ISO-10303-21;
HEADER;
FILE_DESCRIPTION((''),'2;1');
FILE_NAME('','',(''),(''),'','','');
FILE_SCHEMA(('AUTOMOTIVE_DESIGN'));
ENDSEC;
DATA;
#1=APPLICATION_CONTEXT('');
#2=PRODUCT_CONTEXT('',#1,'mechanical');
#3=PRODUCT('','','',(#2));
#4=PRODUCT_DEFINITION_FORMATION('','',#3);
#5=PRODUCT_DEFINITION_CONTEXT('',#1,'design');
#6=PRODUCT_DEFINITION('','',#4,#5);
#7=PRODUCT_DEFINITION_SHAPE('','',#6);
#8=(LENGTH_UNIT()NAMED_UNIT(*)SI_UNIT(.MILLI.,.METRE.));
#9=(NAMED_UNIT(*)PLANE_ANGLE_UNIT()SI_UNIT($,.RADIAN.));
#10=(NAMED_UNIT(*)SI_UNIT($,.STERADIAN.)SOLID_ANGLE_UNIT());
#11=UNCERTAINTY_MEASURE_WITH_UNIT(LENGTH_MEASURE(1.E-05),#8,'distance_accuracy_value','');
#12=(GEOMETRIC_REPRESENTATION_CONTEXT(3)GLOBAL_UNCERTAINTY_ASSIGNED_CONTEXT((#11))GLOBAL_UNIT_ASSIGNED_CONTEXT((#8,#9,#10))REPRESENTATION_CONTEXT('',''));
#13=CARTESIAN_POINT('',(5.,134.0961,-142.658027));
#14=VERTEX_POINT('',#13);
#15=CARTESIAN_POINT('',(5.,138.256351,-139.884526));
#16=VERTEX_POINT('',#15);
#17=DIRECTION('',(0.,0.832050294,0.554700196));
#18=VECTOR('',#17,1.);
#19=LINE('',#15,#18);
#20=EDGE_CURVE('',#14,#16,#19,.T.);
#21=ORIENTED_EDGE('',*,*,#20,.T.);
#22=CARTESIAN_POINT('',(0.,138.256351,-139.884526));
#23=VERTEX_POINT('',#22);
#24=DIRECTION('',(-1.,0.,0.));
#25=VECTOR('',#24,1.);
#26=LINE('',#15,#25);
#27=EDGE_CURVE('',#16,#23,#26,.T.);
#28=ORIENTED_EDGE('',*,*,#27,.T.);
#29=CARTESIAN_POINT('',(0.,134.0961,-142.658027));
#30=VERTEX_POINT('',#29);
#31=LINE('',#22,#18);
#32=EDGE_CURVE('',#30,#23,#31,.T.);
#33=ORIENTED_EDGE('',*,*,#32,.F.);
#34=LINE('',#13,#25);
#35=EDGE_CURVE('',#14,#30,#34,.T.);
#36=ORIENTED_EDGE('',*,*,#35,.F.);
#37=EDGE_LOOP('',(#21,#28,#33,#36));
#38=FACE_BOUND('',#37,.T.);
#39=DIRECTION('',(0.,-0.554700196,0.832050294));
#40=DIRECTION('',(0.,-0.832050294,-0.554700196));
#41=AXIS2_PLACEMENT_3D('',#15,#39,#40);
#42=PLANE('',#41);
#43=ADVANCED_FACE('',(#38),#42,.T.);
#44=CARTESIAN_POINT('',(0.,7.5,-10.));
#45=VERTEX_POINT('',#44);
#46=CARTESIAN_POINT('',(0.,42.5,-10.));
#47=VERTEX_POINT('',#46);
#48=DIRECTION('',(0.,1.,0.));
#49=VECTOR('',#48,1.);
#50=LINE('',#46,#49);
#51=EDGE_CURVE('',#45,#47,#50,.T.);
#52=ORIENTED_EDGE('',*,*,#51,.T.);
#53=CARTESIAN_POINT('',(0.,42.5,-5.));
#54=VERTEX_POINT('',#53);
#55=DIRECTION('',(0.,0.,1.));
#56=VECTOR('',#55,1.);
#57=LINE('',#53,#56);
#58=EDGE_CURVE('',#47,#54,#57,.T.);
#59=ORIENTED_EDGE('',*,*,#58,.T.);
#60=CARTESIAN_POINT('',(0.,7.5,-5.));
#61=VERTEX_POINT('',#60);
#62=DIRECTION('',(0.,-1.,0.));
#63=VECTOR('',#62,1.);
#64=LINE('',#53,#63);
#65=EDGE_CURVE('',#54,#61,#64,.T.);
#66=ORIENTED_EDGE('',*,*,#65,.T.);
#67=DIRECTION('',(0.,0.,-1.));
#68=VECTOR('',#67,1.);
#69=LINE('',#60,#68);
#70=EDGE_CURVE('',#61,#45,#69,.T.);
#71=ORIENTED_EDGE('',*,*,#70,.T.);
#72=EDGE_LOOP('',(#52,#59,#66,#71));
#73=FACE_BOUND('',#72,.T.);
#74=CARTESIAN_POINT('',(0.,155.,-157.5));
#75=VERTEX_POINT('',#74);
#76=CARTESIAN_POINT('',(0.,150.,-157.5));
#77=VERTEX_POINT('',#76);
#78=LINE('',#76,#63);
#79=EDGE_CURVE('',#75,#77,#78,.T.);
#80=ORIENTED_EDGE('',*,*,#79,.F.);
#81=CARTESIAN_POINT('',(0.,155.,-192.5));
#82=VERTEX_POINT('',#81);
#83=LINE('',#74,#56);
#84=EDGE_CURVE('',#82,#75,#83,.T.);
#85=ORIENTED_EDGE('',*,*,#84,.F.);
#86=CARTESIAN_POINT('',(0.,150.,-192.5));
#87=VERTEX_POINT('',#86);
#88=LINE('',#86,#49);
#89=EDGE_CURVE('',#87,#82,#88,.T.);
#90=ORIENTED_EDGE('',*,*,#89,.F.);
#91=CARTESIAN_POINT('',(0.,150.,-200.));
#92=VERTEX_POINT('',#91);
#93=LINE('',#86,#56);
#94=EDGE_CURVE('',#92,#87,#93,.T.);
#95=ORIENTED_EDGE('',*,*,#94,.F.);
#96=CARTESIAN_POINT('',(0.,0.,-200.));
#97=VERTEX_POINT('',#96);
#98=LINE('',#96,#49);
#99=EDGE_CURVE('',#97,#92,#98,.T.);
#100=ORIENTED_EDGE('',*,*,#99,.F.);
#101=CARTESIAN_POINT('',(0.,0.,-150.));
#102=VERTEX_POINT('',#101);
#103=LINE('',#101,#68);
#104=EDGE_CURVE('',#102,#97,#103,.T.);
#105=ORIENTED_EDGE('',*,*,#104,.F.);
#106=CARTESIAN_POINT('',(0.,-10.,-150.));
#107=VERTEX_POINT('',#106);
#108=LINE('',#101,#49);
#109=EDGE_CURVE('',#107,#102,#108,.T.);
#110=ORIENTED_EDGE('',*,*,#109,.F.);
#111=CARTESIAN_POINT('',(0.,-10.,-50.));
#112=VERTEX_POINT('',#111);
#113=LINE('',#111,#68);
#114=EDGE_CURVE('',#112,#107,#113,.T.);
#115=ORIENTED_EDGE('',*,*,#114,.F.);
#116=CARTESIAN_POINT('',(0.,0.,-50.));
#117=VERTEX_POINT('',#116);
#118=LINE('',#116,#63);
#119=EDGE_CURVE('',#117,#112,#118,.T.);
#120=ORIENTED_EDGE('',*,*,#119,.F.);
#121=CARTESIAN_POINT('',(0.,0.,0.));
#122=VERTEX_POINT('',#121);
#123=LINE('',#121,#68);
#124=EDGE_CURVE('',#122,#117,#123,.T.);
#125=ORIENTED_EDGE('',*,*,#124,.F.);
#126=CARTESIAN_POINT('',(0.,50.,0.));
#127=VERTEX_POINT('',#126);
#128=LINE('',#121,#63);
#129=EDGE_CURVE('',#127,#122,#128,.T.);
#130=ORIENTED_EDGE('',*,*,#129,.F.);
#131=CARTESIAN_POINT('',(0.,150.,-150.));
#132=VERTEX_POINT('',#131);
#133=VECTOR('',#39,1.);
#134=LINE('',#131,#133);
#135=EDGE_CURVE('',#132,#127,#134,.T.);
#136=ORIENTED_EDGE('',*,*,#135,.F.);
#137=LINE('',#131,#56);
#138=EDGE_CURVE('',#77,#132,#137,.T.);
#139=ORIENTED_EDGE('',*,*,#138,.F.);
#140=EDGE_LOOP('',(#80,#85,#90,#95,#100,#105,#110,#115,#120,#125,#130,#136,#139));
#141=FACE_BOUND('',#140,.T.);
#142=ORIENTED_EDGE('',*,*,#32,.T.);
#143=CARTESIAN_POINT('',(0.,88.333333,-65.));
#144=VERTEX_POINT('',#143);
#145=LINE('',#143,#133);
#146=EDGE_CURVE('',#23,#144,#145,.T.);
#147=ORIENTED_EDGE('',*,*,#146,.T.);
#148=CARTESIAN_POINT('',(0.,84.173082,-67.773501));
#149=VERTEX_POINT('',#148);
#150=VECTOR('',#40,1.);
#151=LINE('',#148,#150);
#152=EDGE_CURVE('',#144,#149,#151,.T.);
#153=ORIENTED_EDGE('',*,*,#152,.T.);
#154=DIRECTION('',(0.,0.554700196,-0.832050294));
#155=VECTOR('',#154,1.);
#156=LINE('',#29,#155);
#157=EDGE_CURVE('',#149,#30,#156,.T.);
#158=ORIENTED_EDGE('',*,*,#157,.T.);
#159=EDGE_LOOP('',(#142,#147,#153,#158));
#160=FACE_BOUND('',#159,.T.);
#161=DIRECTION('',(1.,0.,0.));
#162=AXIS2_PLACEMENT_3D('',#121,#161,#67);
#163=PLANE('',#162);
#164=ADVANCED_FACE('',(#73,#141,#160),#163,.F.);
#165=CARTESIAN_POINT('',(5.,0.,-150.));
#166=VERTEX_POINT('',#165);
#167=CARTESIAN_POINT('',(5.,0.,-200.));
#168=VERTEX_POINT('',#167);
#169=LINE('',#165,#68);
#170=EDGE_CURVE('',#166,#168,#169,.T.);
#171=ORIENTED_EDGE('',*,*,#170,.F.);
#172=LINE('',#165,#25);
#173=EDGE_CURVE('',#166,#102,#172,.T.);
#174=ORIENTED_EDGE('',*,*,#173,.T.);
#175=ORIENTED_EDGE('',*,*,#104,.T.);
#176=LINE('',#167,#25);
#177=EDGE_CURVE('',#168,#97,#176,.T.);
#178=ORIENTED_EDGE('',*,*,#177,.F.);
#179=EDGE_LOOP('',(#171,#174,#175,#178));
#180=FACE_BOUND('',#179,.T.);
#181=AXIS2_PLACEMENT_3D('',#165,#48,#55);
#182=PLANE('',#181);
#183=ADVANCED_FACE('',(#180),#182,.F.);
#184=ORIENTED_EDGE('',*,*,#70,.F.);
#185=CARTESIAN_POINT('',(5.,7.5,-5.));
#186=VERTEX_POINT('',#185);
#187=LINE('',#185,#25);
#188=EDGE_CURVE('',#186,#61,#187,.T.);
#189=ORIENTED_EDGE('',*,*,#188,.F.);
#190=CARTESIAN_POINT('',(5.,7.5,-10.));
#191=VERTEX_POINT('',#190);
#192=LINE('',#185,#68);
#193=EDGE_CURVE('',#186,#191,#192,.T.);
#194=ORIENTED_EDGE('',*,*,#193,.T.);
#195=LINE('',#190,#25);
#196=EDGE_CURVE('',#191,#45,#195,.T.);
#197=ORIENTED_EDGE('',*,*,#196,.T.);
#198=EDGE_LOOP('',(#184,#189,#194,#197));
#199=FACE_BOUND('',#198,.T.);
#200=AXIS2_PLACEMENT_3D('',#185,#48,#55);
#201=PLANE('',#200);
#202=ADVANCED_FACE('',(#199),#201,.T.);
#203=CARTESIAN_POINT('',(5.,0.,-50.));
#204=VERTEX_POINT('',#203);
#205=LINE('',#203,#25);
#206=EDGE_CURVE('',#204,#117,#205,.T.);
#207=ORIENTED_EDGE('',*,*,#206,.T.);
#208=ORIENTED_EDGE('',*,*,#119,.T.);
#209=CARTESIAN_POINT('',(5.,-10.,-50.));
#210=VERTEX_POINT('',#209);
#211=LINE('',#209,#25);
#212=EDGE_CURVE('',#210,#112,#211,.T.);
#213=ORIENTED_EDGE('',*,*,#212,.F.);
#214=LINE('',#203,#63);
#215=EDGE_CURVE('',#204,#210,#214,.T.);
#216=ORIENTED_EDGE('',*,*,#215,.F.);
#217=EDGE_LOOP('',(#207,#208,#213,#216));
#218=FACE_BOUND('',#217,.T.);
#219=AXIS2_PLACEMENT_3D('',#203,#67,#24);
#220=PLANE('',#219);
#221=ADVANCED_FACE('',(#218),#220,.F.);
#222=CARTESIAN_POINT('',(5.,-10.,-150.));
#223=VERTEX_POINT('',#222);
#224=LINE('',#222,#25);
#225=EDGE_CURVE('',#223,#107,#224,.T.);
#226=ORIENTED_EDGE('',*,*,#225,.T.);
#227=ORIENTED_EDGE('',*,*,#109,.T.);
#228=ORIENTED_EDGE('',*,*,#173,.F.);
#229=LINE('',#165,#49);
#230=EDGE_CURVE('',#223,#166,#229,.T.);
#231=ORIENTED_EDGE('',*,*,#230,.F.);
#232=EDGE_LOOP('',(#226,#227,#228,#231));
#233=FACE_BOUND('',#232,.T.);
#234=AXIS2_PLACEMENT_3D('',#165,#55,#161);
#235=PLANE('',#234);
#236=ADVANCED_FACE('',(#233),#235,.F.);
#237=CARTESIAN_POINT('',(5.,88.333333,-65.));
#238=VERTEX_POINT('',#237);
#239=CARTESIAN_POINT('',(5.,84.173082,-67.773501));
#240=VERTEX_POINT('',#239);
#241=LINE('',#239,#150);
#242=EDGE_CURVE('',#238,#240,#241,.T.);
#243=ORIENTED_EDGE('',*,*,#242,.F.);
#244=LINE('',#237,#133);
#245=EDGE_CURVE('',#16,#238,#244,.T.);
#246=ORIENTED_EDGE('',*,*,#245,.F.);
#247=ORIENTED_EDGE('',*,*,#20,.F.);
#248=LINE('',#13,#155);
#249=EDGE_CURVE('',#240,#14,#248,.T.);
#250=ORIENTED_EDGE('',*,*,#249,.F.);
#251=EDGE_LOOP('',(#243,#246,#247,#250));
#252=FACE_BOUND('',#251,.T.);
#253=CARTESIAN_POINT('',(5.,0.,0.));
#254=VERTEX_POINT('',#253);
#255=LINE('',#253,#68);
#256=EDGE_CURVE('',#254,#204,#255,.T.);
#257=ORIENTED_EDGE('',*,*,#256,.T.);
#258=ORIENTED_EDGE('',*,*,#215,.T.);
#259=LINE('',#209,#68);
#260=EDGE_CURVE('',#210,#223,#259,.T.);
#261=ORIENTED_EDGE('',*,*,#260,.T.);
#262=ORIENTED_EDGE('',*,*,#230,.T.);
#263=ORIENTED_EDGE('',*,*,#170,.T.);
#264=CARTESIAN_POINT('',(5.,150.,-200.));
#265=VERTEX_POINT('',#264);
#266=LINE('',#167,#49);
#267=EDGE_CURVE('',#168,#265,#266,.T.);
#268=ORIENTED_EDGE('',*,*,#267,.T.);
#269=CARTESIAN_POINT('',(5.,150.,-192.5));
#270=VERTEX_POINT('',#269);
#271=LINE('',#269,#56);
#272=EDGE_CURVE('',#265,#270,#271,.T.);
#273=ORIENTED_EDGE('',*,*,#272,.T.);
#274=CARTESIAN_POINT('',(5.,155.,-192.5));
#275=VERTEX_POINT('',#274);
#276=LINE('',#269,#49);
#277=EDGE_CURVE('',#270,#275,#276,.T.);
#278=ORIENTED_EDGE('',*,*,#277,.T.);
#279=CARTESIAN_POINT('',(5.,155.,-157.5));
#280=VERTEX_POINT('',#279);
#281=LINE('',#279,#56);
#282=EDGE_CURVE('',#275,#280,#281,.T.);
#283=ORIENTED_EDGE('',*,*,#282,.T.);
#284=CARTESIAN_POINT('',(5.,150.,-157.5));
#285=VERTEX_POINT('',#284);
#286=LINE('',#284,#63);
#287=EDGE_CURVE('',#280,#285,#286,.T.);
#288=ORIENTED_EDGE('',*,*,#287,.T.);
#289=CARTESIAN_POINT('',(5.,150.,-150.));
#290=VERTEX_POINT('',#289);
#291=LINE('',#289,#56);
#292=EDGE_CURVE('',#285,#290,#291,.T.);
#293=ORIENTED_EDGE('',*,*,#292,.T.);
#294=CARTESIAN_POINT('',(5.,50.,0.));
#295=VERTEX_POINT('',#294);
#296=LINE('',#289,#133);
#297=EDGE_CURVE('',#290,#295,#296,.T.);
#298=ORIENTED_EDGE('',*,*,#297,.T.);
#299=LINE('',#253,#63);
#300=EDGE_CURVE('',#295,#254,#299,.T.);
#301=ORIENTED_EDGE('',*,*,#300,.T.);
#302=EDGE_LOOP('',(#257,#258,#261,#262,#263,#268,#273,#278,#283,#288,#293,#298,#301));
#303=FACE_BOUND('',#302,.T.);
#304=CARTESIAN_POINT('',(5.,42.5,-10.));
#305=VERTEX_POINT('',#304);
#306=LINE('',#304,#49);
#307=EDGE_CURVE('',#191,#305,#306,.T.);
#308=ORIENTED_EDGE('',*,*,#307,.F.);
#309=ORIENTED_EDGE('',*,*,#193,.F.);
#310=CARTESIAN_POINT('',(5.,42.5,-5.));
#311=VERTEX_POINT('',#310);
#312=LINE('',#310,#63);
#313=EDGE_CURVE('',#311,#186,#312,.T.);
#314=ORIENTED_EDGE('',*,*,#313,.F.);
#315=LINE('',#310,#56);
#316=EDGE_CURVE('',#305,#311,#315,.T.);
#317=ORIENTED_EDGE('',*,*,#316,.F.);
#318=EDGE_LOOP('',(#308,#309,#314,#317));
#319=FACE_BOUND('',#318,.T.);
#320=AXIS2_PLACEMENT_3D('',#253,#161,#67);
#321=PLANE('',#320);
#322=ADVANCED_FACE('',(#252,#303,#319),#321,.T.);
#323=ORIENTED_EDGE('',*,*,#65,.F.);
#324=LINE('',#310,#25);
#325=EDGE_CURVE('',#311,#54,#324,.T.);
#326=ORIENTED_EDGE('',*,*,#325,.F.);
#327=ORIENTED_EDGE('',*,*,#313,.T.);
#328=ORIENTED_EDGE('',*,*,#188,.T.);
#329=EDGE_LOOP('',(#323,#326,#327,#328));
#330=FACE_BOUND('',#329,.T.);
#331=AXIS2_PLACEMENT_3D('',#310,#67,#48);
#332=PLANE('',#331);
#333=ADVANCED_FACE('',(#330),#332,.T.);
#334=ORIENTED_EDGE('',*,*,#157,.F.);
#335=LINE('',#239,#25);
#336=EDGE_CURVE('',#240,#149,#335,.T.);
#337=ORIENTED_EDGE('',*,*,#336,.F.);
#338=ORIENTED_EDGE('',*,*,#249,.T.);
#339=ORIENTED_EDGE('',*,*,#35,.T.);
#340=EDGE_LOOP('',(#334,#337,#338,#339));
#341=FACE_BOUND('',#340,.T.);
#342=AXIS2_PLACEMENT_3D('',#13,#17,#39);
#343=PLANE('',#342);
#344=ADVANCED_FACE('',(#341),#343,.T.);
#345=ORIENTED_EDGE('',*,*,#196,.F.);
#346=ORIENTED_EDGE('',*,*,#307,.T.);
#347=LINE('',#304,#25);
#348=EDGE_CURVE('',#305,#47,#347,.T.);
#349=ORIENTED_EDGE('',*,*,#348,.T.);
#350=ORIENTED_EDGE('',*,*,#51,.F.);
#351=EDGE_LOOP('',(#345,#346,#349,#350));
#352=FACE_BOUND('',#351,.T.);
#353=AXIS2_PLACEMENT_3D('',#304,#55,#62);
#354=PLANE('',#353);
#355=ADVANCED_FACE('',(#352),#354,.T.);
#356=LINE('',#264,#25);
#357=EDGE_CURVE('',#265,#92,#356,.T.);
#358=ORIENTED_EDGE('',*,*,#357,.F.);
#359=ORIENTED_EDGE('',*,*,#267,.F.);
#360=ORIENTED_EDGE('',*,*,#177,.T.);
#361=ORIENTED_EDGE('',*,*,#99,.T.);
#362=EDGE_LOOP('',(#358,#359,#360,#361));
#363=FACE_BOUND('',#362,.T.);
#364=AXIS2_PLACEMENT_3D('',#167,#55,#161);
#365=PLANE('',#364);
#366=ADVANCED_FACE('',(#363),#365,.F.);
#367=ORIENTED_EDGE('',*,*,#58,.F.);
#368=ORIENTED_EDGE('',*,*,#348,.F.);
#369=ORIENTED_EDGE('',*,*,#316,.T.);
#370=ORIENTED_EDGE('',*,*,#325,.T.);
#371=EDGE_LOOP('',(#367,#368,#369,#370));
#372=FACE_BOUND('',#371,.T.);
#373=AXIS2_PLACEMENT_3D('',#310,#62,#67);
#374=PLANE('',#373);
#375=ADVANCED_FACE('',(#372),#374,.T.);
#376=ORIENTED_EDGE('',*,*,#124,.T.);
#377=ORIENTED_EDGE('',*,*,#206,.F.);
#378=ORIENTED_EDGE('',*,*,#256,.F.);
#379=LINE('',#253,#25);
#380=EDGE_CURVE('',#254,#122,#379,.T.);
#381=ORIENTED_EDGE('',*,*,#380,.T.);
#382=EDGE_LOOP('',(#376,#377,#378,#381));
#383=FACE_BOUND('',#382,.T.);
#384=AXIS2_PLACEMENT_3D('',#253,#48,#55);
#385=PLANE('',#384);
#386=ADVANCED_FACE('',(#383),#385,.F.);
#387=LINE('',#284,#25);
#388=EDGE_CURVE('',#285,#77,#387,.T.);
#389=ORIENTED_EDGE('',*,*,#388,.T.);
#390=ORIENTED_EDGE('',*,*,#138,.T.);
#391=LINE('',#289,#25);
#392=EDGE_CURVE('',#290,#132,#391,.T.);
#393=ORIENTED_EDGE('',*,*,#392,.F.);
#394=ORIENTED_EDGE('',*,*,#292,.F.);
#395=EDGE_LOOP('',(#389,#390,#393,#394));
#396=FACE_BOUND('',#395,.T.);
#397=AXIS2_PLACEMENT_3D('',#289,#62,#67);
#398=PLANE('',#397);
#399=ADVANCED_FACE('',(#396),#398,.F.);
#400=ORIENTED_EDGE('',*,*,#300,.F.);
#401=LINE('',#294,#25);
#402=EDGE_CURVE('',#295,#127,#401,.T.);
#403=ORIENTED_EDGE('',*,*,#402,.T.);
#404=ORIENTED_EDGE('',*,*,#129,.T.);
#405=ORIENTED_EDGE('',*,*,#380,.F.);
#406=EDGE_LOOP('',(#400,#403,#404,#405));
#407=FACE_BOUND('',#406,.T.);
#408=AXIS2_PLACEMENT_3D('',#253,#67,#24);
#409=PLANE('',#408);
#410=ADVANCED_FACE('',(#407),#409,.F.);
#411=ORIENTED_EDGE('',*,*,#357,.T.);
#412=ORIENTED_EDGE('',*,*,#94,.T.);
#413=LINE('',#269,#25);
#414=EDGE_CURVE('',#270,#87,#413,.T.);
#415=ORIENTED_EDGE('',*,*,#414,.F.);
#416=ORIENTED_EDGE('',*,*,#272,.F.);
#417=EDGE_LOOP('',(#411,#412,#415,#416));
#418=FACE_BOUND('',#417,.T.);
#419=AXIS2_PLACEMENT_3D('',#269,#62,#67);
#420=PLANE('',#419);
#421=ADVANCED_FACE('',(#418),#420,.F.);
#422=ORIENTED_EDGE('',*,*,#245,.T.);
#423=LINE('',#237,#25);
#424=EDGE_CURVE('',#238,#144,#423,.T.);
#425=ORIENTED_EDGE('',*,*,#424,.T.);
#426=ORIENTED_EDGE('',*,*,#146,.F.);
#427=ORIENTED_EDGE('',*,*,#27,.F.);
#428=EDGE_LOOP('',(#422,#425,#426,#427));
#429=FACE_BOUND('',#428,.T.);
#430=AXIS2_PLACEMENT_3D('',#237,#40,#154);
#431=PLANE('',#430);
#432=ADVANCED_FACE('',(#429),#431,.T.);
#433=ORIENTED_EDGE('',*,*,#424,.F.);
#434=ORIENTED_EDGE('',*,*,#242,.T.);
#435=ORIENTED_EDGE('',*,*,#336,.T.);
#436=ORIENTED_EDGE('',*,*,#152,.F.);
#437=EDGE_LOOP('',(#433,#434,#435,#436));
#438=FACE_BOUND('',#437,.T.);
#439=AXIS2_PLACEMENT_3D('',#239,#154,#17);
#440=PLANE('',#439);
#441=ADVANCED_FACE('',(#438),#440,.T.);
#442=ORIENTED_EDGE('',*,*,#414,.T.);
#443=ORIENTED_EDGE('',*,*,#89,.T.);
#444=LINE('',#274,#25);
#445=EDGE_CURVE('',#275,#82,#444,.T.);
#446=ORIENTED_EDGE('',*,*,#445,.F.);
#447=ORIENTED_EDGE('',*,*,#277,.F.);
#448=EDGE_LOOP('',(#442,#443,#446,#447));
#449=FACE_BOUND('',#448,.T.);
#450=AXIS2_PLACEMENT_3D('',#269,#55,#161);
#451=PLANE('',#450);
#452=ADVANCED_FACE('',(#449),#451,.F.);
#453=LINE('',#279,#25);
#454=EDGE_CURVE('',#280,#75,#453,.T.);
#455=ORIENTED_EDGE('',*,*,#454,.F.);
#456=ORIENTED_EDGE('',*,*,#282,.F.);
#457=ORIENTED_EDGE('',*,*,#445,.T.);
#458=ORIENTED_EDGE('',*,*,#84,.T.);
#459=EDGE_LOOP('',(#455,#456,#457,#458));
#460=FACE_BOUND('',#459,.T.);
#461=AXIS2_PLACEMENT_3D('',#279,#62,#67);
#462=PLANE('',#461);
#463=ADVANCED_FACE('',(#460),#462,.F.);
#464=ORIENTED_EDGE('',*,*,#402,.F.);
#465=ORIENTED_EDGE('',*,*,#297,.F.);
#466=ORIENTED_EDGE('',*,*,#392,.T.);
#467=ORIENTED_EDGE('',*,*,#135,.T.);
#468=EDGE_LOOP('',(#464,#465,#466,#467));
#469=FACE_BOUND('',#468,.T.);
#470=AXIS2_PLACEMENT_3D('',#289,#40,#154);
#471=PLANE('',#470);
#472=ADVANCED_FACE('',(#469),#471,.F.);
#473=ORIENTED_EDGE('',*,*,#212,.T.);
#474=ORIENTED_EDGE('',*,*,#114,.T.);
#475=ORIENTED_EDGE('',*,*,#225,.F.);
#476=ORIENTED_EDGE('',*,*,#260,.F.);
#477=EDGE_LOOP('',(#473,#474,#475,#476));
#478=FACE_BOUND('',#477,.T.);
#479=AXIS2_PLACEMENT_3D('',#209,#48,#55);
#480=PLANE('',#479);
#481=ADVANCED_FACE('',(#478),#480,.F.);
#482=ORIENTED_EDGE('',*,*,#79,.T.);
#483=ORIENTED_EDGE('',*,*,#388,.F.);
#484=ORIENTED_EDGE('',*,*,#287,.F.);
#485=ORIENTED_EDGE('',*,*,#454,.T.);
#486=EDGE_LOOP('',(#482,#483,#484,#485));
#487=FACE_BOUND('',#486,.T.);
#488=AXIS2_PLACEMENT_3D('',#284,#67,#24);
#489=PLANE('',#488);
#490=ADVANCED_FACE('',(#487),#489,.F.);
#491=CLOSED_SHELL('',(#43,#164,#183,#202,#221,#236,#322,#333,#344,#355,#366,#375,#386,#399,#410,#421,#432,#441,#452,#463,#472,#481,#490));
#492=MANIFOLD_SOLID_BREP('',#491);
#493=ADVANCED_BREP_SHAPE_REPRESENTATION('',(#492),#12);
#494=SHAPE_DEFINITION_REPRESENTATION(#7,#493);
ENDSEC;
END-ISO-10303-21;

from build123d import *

# Parameters (mm, degrees)
CROQUIS1_W              = 5
CROQUIS1_H              = 35
SALIENTE_EXTRUIR1_DEPTH = 5


with BuildPart() as part:
    # Croquis1 → Saliente-Extruir1 (new body)
    with BuildSketch(Plane(origin=(0, 0, 0), x_dir=(0, 0, -1), z_dir=(1, 0, 0))):
        Polygon((150, 150), (0, 50), (0, 0), (50, 0), (50, -10), (150, -10), (150, 0), (200, 0), (200, 150), (192.5, 150), (192.5, 155), (157.5, 155), (157.5, 150), align=None)
        with Locations((7.5, 25)):
            Rectangle(CROQUIS1_W, CROQUIS1_H, mode=Mode.SUBTRACT)
        Polygon((65, 88.333333333), (139.88452649, 138.256350994), (142.658027472, 134.096099522), (67.773500981, 84.173081862), align=None, mode=Mode.SUBTRACT)
    extrude(amount=SALIENTE_EXTRUIR1_DEPTH)


solid = part.part
